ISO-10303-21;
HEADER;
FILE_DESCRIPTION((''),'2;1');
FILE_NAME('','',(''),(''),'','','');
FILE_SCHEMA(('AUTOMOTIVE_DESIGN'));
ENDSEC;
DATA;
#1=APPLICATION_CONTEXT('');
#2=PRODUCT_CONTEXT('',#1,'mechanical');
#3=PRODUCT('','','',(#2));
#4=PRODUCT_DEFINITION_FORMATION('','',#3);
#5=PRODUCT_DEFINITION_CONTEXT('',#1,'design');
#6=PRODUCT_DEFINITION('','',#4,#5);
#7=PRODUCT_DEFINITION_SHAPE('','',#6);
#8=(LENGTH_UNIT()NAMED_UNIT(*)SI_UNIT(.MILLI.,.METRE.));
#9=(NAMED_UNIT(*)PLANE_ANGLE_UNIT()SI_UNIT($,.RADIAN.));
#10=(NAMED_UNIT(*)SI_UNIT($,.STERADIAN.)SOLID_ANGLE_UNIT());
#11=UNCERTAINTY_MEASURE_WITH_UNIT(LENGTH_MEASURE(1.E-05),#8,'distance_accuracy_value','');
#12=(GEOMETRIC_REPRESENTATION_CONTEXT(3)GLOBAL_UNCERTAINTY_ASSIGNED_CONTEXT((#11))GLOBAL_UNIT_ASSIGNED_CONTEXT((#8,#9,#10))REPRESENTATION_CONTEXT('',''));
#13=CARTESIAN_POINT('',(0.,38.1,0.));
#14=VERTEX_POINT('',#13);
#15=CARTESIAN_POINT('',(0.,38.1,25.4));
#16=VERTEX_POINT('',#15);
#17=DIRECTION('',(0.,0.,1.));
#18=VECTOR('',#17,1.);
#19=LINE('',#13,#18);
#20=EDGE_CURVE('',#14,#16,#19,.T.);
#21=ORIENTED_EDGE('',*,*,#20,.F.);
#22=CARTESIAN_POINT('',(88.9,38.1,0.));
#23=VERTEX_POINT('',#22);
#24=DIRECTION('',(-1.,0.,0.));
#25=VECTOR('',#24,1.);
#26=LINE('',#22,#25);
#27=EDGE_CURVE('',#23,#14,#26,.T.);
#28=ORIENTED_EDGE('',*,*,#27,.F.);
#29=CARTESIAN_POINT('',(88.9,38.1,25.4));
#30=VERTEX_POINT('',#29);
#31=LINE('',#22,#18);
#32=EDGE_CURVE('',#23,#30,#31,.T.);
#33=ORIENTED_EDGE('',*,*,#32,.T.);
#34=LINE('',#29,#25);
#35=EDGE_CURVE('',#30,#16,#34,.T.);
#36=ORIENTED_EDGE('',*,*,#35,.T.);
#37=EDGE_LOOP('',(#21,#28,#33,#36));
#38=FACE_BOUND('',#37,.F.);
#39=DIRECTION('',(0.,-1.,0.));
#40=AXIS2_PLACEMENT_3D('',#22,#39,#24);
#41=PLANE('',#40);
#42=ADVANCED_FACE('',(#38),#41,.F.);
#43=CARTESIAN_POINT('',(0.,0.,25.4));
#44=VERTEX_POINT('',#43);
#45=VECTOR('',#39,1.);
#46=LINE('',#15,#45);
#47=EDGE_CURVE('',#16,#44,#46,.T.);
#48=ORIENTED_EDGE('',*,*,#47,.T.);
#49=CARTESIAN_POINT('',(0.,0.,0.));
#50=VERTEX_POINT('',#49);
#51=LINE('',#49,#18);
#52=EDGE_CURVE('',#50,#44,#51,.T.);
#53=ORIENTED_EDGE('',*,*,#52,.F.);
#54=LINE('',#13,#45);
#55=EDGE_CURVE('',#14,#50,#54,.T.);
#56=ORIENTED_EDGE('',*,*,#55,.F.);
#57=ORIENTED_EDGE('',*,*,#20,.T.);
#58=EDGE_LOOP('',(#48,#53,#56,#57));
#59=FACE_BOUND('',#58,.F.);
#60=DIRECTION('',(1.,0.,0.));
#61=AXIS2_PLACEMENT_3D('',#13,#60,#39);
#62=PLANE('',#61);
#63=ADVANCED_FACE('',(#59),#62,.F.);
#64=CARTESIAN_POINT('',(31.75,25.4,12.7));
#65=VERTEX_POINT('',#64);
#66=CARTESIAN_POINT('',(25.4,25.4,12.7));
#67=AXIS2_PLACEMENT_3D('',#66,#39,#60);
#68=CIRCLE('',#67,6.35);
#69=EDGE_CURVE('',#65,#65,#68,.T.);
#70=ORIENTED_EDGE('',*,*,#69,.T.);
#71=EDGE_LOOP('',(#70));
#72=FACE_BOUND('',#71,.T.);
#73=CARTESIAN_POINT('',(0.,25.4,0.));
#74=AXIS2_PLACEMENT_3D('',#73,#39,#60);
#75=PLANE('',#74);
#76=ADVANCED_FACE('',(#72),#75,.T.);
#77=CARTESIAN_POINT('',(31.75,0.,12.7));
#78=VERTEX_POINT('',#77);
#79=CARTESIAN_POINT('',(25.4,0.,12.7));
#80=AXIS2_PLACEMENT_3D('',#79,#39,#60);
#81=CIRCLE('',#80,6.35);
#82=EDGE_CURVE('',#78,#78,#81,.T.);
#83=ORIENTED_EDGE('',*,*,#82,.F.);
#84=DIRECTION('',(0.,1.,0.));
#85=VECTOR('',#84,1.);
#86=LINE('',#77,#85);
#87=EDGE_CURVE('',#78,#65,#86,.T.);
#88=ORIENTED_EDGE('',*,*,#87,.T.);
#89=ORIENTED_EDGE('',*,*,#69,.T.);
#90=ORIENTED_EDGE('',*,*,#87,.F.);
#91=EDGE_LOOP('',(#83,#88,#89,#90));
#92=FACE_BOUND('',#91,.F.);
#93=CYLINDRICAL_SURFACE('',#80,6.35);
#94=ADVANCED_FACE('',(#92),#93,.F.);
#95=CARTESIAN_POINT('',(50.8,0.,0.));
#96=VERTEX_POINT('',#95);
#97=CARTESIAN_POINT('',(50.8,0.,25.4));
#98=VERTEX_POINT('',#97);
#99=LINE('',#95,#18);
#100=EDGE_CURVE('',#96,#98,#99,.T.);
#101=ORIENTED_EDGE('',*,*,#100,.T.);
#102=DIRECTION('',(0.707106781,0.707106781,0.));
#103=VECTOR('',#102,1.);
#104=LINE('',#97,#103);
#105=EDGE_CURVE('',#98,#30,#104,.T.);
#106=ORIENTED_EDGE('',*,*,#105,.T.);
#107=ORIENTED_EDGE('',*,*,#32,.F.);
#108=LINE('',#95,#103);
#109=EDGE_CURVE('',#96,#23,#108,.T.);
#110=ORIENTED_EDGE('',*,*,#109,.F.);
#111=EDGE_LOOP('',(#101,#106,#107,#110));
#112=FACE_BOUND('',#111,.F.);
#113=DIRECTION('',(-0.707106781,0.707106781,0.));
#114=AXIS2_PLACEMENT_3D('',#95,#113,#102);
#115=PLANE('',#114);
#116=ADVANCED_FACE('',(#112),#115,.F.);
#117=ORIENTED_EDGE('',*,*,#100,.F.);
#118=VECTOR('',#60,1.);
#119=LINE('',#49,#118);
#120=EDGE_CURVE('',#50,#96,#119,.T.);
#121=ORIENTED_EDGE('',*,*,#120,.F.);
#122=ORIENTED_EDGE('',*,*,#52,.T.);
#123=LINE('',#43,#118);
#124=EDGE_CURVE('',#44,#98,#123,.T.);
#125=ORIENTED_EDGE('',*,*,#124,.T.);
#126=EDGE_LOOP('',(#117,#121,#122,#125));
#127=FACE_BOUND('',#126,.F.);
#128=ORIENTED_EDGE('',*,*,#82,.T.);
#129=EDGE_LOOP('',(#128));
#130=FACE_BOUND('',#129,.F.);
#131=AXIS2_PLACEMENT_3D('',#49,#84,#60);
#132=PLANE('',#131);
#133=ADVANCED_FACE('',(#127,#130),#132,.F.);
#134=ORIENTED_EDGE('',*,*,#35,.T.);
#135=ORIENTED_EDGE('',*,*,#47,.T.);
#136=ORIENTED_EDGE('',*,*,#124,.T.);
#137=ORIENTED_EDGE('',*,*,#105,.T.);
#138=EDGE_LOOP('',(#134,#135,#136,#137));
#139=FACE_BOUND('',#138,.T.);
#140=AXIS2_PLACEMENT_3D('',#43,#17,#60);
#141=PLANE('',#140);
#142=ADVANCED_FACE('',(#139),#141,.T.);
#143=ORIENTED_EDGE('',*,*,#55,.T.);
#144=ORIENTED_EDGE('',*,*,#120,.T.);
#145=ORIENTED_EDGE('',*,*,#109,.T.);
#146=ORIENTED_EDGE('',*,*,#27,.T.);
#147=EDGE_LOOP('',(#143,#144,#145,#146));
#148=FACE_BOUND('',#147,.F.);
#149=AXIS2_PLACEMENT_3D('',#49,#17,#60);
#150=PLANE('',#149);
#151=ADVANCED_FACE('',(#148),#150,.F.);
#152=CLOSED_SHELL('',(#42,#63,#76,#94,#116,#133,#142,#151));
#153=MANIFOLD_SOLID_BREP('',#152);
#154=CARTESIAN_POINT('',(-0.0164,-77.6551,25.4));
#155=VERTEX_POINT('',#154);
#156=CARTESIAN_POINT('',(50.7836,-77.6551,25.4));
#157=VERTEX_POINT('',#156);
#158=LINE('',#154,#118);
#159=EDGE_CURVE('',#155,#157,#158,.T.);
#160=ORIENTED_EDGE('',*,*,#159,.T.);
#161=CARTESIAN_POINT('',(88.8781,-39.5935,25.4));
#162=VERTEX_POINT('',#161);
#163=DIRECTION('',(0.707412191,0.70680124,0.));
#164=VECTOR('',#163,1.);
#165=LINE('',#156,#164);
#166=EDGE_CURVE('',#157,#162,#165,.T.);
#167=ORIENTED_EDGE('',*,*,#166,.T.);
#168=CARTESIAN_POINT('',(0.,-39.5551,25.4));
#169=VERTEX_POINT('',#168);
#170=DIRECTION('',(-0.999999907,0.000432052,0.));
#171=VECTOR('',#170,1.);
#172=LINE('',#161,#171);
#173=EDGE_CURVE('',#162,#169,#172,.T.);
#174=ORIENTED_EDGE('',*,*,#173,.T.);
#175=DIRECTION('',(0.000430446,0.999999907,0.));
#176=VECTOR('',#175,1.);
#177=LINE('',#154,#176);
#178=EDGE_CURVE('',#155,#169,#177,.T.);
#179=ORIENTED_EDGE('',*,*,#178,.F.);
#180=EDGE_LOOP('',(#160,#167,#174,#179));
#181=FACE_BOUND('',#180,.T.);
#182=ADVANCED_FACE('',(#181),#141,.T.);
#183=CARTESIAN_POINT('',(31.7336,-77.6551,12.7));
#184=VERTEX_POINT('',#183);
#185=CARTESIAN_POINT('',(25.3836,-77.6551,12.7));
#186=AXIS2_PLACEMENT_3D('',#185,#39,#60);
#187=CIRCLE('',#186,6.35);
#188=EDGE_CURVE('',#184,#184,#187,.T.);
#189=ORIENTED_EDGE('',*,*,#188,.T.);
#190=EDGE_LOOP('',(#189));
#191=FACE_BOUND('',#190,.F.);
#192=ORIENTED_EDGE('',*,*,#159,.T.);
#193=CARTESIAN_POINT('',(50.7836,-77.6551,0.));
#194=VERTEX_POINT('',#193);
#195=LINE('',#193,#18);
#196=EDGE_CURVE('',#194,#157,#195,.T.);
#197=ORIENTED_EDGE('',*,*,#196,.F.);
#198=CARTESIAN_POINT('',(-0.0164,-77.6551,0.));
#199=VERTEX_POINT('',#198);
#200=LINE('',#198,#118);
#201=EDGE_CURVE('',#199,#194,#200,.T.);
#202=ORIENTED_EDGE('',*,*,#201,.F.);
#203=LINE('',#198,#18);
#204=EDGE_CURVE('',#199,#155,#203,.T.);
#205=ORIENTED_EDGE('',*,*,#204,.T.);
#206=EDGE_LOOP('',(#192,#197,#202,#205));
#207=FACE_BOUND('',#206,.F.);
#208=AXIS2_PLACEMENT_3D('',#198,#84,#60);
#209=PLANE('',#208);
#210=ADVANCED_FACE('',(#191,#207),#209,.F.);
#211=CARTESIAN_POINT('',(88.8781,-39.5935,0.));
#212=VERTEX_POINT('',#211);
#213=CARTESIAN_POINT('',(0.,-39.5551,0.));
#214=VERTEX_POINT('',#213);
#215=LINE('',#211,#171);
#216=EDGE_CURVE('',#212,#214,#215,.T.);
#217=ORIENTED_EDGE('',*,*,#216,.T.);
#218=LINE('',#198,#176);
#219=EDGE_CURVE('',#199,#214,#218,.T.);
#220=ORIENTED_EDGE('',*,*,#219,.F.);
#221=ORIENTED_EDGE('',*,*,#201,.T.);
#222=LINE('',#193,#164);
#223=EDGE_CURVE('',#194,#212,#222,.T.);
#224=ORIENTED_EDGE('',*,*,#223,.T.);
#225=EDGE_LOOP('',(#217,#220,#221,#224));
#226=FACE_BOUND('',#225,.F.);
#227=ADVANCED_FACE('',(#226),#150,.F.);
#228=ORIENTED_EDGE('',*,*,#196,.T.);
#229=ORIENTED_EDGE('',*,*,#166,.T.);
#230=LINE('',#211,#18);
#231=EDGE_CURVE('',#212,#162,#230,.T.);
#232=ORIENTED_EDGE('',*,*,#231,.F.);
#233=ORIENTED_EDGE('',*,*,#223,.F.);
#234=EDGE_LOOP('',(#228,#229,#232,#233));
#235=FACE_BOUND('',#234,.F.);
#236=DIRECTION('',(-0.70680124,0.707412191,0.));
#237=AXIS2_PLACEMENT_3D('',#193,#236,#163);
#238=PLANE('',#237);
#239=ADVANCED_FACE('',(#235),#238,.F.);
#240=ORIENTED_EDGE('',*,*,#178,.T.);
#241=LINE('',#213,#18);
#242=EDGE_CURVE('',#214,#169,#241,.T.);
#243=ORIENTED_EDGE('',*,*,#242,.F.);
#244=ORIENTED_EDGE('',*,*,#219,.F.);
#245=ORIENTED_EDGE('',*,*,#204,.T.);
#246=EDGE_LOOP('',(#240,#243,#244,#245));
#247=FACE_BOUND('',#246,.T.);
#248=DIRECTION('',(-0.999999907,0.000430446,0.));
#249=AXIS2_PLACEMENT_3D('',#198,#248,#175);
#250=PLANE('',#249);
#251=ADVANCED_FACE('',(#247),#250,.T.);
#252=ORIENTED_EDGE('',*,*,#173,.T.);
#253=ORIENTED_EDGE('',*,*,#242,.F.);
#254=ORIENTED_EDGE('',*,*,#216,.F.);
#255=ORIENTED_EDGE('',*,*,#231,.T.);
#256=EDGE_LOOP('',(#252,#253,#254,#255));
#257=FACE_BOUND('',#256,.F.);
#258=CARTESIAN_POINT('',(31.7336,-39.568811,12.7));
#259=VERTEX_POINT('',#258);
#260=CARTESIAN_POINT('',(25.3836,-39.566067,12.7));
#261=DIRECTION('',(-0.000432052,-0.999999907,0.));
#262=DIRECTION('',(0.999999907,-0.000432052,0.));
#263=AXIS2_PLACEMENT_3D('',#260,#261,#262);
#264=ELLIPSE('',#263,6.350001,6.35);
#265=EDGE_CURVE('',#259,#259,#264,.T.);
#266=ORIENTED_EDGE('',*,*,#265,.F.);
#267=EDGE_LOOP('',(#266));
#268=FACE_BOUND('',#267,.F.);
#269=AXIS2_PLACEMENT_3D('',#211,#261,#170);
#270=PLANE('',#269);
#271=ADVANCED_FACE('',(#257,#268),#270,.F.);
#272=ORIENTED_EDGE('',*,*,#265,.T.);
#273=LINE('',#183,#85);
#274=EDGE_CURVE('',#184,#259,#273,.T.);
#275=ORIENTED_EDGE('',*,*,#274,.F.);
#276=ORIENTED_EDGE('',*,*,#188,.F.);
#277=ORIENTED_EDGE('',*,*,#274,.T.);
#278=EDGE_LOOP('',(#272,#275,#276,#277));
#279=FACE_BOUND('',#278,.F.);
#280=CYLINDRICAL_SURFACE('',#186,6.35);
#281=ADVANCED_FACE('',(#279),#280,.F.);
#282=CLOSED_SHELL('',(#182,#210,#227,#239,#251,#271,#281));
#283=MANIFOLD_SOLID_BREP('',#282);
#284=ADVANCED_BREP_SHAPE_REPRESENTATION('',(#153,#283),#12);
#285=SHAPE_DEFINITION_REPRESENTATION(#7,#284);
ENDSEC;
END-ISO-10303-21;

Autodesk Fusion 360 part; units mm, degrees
sketch "Sketch1" plane through (0, 0, 0) normal (0, 0, 1) x (1, 0, 0)
  line L0 (0, 0) -> (50.8, 0)
  line L1 (50.8, 0) -> (88.9, 38.1)
  line L2 (88.9, 38.1) -> (0, 38.1)
  line L3 (0, 38.1) -> (0, 0)
  line L4 (-0.0164, -77.6551) -> (50.7836, -77.6551)
  line L5 (50.7836, -77.6551) -> (88.8781, -39.5935)
  line L6 (88.8781, -39.5935) -> (0, -39.5551)
  line L7 (-0.0164, -77.6551) -> (0, -39.5551)
  dimension "d1" = 50.8
  dimension "d2" = 38.1
  dimension "d3" = 45
  dimension "d4" = 50.8
  dimension "d5" = 38.1
  dimension "d6" = 45
extrude "Extrude1" add sketch "Sketch1" along normal blind 25.4 makes body 1 at (46.5667, 25.4, 0) makes body 2 at (46.5539, -52.2679, 0)
sketch "Sketch2" plane through (0, 0, 0) normal (0, -1, 0) x (1, 0, 0)
  line L0 (0, 0) -> (50.8, 0)
  line L1 (50.8, 0) -> (50.8, 25.4)
  line L2 (50.8, 25.4) -> (0, 25.4)
  line L3 (0, 25.4) -> (0, 0)
  circle A0 centre (25.4, 12.7) radius 6.35
  dimension "d9" = 12.7
  dimension "d10" = 25.4
  dimension "d11" = 12.7
sketch "Sketch3" plane through (0, -77.6551, 0) normal (0, -1, 0) x (1, 0, 0)
  line L0 (-0.0164, 0) -> (50.7836, 0)
  line L1 (50.7836, 0) -> (50.7836, 25.4)
  line L2 (50.7836, 25.4) -> (-0.0164, 25.4)
  circle A0 centre (25.3836, 12.7) radius 6.35
  line L3 (-0.0164, 12.7) -> (25.3836, 12.7) construction
  line L4 (25.3836, 12.7) -> (25.3836, 0) construction
  line L5 (-0.0164, 25.4) -> (-0.0164, 0)
  dimension "d12" = 12.7
extrude "Extrude2" cut sketch "Sketch2" against normal blind 25.4 contours A0 bodies 1
extrude "Extrude3" cut sketch "Sketch3" against normal through all contours A0 bodies 2
